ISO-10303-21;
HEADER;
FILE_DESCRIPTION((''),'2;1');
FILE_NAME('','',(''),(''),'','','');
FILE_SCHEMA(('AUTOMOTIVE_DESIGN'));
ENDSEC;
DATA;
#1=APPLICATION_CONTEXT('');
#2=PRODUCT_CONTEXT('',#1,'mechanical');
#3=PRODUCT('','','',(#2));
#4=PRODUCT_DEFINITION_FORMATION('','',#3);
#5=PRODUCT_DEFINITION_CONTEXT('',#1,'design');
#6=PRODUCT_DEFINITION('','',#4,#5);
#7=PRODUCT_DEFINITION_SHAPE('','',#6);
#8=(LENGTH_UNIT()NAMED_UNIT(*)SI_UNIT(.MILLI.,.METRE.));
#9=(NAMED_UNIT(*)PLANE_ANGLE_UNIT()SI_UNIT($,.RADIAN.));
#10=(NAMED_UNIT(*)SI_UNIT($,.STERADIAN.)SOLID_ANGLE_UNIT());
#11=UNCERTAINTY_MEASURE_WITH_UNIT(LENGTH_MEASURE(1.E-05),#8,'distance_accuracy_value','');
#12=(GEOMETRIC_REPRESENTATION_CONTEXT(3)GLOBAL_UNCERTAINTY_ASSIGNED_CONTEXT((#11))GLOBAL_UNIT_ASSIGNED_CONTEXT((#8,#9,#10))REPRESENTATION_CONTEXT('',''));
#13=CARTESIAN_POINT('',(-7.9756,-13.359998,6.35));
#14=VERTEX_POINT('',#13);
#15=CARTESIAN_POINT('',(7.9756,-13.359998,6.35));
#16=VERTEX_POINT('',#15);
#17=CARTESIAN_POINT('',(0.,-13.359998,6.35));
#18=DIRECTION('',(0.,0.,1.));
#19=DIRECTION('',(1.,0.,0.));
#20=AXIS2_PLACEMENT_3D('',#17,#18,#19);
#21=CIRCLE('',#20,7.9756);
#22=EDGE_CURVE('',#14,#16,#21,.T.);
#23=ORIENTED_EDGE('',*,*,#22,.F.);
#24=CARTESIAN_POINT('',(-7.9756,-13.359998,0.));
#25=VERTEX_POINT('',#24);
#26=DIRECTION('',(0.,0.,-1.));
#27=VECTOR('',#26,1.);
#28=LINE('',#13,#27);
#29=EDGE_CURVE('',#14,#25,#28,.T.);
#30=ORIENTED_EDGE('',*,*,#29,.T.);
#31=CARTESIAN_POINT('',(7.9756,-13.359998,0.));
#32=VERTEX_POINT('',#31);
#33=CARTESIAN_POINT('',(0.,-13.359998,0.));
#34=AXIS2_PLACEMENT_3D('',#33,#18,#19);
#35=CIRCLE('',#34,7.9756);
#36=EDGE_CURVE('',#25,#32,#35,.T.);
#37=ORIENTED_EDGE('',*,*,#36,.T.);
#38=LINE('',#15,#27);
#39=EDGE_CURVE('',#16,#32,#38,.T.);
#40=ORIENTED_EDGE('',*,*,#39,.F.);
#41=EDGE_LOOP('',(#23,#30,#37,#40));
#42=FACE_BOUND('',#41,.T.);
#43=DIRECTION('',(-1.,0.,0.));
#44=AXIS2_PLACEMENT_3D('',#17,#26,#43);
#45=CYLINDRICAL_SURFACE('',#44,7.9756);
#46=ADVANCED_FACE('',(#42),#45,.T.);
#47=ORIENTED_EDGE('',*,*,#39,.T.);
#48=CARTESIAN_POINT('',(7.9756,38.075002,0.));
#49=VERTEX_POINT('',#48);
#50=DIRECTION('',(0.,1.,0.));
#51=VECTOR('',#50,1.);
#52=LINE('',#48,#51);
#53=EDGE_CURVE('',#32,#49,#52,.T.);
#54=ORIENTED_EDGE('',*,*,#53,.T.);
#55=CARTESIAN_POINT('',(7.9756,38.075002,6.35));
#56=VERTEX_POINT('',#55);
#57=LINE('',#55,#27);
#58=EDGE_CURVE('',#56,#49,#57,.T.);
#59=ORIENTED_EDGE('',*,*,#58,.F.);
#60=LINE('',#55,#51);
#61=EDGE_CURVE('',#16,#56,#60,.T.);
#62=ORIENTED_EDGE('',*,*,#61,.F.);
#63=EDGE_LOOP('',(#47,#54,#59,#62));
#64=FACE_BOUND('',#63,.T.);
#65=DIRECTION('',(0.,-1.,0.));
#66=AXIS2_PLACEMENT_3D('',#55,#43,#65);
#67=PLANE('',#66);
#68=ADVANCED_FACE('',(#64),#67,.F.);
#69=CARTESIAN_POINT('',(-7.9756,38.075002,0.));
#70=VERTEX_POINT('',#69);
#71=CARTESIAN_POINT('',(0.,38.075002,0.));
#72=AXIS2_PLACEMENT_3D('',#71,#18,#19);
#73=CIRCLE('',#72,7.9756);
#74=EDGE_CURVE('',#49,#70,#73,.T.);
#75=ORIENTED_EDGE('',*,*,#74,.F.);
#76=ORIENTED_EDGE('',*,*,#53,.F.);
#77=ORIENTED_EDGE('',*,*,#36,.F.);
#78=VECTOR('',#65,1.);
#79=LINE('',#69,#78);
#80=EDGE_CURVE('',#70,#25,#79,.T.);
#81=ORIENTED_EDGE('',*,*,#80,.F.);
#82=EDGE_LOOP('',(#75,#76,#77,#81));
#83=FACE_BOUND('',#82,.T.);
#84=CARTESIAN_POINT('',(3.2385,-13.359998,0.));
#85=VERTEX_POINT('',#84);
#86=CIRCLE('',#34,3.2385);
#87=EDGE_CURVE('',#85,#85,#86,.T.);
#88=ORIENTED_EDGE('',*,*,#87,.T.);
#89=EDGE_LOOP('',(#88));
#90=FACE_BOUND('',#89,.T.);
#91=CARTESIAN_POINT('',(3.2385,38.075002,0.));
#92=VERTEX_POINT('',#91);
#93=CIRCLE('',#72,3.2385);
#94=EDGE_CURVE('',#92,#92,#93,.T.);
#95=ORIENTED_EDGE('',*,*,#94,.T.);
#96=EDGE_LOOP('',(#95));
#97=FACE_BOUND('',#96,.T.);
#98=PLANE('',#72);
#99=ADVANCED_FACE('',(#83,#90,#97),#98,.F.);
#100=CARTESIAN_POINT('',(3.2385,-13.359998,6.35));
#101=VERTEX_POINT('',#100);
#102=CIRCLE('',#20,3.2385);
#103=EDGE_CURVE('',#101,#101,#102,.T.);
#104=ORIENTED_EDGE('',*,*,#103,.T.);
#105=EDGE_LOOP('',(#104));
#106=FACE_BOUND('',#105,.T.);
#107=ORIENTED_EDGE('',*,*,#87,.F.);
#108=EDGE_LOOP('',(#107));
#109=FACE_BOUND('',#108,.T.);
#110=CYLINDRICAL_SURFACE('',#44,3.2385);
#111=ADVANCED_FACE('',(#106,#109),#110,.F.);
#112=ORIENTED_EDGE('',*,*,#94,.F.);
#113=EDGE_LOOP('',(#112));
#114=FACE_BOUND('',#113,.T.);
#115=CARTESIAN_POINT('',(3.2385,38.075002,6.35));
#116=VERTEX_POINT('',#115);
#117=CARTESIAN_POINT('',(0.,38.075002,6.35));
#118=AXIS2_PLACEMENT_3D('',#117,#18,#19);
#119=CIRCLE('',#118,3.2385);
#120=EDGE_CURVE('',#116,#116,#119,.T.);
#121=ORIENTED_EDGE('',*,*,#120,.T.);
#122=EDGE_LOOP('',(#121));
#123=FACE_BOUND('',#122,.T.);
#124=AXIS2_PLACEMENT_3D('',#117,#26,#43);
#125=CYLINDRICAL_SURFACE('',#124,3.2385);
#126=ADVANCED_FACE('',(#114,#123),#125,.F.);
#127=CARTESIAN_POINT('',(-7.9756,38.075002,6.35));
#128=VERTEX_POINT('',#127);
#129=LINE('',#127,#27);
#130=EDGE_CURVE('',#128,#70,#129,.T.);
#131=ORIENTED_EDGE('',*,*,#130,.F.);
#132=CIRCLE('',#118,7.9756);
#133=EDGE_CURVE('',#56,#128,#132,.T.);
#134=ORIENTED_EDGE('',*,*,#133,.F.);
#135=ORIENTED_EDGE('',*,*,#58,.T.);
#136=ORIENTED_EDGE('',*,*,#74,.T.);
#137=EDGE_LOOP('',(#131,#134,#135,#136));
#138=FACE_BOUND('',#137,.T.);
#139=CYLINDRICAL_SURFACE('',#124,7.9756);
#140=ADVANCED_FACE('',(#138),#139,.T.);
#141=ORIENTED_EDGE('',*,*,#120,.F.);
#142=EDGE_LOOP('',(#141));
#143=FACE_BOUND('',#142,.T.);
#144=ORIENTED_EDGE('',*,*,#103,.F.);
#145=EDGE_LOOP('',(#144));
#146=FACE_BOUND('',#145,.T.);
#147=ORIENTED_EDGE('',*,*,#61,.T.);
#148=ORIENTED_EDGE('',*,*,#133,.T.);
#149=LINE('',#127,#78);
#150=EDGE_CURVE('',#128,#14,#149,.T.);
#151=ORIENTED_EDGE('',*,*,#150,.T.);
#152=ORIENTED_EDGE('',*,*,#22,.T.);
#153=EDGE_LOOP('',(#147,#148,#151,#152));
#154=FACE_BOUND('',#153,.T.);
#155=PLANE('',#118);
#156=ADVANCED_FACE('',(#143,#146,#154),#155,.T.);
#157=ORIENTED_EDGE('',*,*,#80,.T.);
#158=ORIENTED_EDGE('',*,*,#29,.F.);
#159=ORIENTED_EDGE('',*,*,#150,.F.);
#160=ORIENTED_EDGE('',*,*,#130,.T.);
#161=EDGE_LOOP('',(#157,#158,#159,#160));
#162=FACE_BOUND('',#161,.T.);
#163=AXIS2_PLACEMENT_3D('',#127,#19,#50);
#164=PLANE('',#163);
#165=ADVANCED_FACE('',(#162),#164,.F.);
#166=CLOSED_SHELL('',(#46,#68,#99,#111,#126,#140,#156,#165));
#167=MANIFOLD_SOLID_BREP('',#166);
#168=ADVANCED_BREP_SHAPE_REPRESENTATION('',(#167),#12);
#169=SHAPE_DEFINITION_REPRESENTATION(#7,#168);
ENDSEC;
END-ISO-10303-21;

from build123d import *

# Parameters (mm, degrees)
SKETCH1_R           = 3.2385
BOSS_EXTRUDE1_DEPTH = 6.35


with BuildPart() as part:
    # Sketch1 → Boss-Extrude1 (new body)
    with BuildSketch(Plane.XY):
        with BuildLine():
            Line((7.9756, 38.075002032), (7.9756, -13.359997968))
            ThreePointArc((7.9756, -13.359997968), (0, -21.335597968), (-7.9756, -13.359997968))
            Line((-7.9756, -13.359997968), (-7.9756, 38.075002032))
            ThreePointArc((-7.9756, 38.075002032), (0, 46.050602032), (7.9756, 38.075002032))
        make_face()
        with Locations((0, 38.075002032)):
            Circle(SKETCH1_R, mode=Mode.SUBTRACT)
        with Locations((0, -13.359997968)):
            Circle(SKETCH1_R, mode=Mode.SUBTRACT)
    extrude(amount=BOSS_EXTRUDE1_DEPTH)


solid = part.part
